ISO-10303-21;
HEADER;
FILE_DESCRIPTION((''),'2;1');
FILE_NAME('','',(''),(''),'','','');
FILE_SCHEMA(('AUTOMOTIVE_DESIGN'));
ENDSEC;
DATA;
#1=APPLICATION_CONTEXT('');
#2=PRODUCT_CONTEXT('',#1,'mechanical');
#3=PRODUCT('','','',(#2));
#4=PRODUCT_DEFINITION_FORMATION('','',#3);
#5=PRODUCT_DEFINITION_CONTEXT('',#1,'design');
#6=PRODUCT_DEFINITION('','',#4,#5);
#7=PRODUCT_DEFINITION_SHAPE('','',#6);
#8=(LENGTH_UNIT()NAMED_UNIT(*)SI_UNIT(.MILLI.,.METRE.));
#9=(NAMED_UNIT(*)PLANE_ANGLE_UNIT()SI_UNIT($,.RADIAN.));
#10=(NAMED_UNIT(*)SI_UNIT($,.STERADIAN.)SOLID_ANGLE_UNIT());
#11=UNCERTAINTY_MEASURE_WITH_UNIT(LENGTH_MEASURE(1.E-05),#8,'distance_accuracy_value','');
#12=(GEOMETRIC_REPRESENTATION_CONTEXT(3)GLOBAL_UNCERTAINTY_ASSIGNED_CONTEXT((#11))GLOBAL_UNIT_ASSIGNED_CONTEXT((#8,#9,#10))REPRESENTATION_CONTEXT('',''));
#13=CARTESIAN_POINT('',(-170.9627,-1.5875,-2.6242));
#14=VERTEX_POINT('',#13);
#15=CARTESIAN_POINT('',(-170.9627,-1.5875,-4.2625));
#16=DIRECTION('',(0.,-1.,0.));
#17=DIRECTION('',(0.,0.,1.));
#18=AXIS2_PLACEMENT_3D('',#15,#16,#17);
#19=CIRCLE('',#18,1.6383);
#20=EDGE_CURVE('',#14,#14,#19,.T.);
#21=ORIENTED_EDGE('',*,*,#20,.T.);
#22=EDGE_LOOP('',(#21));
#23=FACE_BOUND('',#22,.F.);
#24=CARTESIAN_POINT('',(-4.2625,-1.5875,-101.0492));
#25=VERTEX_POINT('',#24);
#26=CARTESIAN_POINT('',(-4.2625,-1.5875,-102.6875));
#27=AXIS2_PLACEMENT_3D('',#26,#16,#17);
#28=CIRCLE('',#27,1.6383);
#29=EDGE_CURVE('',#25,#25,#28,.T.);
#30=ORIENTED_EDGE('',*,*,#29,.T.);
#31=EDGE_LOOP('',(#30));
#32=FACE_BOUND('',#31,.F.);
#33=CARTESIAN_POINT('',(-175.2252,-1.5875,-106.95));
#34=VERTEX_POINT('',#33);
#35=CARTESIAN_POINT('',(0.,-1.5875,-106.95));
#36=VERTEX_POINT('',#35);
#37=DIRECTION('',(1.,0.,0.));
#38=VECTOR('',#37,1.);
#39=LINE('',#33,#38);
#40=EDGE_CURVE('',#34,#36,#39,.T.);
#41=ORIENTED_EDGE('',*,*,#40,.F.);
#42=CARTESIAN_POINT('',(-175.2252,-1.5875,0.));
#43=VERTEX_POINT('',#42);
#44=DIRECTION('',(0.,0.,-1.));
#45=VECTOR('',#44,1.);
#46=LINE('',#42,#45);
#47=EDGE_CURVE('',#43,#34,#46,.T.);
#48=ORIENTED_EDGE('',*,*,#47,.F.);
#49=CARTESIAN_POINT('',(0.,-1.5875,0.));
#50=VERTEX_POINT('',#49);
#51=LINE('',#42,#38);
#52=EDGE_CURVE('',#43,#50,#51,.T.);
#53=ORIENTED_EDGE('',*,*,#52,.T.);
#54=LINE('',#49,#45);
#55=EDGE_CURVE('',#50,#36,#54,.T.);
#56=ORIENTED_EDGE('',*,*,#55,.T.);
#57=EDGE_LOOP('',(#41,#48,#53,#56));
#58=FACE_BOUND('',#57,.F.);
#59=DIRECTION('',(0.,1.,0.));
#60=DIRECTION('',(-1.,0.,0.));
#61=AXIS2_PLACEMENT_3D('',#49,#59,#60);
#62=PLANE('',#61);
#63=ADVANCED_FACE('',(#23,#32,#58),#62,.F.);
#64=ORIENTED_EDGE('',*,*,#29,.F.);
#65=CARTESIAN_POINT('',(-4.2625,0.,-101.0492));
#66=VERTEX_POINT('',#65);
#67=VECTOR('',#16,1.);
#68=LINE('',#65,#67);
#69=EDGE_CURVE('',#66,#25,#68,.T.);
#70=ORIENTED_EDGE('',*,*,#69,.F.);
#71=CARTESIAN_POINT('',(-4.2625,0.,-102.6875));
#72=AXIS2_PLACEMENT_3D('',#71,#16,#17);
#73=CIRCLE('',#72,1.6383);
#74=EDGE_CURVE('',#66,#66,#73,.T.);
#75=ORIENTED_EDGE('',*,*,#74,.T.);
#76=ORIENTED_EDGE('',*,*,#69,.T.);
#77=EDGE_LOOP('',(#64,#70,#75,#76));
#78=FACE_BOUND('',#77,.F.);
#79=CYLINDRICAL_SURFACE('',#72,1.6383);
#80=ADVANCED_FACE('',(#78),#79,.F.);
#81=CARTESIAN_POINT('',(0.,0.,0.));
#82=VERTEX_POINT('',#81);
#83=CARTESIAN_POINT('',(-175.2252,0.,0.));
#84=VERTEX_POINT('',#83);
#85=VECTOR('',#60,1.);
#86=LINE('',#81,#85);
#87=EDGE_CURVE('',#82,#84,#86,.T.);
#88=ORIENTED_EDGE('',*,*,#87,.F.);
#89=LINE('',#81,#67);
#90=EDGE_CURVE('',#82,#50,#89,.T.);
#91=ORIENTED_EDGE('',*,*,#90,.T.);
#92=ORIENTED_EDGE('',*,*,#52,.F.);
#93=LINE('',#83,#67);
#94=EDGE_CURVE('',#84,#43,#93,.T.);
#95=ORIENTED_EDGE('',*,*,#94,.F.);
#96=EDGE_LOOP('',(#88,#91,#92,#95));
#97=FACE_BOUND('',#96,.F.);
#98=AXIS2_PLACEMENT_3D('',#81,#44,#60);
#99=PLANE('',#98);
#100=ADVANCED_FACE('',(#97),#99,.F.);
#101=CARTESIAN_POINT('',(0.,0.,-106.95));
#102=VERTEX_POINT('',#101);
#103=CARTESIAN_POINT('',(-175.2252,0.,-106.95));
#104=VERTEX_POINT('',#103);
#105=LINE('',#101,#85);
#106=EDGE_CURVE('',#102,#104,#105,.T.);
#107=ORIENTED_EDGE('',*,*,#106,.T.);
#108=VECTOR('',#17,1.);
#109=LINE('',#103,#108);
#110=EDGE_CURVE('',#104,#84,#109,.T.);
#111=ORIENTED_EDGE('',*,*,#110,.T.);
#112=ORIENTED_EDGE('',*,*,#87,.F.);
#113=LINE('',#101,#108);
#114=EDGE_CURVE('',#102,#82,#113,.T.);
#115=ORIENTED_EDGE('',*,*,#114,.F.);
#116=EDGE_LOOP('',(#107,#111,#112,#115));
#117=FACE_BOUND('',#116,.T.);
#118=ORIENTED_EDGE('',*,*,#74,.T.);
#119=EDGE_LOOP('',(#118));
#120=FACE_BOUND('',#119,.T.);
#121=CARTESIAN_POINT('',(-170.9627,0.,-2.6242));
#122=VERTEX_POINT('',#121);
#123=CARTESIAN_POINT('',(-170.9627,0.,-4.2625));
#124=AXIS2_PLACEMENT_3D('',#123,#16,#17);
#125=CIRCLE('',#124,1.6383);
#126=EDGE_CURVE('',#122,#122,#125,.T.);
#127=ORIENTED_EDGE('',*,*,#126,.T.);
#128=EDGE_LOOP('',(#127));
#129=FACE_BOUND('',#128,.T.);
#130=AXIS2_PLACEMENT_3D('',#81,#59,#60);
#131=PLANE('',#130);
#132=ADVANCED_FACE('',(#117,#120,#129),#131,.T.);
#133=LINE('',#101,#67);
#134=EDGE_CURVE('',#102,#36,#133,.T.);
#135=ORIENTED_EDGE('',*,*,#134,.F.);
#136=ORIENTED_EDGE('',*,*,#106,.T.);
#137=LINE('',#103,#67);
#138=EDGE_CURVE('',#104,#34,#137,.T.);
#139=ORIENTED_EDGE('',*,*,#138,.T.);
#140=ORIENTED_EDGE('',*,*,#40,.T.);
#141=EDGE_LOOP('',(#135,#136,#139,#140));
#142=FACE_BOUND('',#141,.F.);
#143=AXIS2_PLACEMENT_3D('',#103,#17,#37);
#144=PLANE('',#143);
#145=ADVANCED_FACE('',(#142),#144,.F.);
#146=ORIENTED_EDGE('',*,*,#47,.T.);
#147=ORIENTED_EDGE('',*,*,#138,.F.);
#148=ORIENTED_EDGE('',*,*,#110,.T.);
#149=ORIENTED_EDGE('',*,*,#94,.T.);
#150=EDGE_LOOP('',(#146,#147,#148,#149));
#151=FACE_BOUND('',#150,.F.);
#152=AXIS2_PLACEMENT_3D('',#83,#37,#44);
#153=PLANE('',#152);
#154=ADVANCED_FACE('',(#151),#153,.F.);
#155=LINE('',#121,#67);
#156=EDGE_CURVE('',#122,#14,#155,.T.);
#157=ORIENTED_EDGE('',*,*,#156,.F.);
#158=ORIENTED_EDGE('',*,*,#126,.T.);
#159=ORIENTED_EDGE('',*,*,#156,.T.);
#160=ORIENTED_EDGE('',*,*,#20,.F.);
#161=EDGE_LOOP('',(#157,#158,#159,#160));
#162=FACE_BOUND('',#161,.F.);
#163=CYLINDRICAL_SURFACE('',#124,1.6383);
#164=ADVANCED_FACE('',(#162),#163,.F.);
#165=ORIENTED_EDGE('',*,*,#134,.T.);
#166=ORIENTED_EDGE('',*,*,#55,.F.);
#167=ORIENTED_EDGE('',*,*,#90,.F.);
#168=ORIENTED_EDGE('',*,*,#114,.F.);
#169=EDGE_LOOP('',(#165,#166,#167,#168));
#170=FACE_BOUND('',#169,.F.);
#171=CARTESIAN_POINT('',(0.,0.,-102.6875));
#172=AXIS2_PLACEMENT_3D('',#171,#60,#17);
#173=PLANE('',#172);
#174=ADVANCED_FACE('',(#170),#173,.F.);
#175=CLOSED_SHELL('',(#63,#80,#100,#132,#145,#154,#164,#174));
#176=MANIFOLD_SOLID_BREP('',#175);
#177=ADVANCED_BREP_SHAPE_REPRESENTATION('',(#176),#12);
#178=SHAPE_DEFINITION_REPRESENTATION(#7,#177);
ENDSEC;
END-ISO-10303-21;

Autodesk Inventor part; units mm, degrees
ref_plane "YZ Plane" through (0, 0, 0) normal (1, 0, 0) x (0, 1, 0)
ref_plane "XZ Plane" through (0, 0, 0) normal (0, 1, 0) x (-1, 0, 0)
ref_plane "XY Plane" through (0, 0, 0) normal (0, 0, 1) x (1, 0, 0)
sketch "Sketch1" plane through (0, 0, 0) normal (0, 1, 0) x (-1, 0, 0)
  line L0 (0, 0) -> (175.2252, 0)
  line L1 (175.2252, 0) -> (175.2252, -106.95)
  line L2 (175.2252, -106.95) -> (0, -106.95)
  line L3 (0, -106.95) -> (0, 0)
  line L4 (0, -106.95) -> (4.2625, -106.95)
  line L5 (4.2625, -106.95) -> (4.2625, -102.6875)
  line L6 (4.2625, -102.6875) -> (0, -102.6875)
  line L7 (0, -102.6875) -> (0, -106.95)
  line L8 (175.2252, 0) -> (170.9627, 0)
  line L9 (170.9627, 0) -> (170.9627, -4.2625)
  line L10 (170.9627, -4.2625) -> (175.2252, -4.2625)
  line L11 (175.2252, -4.2625) -> (175.2252, 0)
  dimension "d0" = 175.2252
  dimension "d1" = 106.95
  dimension "d2" = 4.2625
  dimension "d3" = 4.2625
  dimension "d4" = 4.2625
  dimension "d5" = 4.2625
extrude "Extrusion1" add sketch "Sketch1" against normal blind 1.5875
hole "Hole1" at (-170.9627, 0, -4.2625) at (-4.2625, 0, -102.6875) direction (0, -1, 0) diameter 3.2766 end through all clearance for "Flat Head Machine Screw (82)" size "#4" standard "Ansi Unified Screw Threads"
properties part number "Compute Module Cover for RoadBot Rail-r1"
